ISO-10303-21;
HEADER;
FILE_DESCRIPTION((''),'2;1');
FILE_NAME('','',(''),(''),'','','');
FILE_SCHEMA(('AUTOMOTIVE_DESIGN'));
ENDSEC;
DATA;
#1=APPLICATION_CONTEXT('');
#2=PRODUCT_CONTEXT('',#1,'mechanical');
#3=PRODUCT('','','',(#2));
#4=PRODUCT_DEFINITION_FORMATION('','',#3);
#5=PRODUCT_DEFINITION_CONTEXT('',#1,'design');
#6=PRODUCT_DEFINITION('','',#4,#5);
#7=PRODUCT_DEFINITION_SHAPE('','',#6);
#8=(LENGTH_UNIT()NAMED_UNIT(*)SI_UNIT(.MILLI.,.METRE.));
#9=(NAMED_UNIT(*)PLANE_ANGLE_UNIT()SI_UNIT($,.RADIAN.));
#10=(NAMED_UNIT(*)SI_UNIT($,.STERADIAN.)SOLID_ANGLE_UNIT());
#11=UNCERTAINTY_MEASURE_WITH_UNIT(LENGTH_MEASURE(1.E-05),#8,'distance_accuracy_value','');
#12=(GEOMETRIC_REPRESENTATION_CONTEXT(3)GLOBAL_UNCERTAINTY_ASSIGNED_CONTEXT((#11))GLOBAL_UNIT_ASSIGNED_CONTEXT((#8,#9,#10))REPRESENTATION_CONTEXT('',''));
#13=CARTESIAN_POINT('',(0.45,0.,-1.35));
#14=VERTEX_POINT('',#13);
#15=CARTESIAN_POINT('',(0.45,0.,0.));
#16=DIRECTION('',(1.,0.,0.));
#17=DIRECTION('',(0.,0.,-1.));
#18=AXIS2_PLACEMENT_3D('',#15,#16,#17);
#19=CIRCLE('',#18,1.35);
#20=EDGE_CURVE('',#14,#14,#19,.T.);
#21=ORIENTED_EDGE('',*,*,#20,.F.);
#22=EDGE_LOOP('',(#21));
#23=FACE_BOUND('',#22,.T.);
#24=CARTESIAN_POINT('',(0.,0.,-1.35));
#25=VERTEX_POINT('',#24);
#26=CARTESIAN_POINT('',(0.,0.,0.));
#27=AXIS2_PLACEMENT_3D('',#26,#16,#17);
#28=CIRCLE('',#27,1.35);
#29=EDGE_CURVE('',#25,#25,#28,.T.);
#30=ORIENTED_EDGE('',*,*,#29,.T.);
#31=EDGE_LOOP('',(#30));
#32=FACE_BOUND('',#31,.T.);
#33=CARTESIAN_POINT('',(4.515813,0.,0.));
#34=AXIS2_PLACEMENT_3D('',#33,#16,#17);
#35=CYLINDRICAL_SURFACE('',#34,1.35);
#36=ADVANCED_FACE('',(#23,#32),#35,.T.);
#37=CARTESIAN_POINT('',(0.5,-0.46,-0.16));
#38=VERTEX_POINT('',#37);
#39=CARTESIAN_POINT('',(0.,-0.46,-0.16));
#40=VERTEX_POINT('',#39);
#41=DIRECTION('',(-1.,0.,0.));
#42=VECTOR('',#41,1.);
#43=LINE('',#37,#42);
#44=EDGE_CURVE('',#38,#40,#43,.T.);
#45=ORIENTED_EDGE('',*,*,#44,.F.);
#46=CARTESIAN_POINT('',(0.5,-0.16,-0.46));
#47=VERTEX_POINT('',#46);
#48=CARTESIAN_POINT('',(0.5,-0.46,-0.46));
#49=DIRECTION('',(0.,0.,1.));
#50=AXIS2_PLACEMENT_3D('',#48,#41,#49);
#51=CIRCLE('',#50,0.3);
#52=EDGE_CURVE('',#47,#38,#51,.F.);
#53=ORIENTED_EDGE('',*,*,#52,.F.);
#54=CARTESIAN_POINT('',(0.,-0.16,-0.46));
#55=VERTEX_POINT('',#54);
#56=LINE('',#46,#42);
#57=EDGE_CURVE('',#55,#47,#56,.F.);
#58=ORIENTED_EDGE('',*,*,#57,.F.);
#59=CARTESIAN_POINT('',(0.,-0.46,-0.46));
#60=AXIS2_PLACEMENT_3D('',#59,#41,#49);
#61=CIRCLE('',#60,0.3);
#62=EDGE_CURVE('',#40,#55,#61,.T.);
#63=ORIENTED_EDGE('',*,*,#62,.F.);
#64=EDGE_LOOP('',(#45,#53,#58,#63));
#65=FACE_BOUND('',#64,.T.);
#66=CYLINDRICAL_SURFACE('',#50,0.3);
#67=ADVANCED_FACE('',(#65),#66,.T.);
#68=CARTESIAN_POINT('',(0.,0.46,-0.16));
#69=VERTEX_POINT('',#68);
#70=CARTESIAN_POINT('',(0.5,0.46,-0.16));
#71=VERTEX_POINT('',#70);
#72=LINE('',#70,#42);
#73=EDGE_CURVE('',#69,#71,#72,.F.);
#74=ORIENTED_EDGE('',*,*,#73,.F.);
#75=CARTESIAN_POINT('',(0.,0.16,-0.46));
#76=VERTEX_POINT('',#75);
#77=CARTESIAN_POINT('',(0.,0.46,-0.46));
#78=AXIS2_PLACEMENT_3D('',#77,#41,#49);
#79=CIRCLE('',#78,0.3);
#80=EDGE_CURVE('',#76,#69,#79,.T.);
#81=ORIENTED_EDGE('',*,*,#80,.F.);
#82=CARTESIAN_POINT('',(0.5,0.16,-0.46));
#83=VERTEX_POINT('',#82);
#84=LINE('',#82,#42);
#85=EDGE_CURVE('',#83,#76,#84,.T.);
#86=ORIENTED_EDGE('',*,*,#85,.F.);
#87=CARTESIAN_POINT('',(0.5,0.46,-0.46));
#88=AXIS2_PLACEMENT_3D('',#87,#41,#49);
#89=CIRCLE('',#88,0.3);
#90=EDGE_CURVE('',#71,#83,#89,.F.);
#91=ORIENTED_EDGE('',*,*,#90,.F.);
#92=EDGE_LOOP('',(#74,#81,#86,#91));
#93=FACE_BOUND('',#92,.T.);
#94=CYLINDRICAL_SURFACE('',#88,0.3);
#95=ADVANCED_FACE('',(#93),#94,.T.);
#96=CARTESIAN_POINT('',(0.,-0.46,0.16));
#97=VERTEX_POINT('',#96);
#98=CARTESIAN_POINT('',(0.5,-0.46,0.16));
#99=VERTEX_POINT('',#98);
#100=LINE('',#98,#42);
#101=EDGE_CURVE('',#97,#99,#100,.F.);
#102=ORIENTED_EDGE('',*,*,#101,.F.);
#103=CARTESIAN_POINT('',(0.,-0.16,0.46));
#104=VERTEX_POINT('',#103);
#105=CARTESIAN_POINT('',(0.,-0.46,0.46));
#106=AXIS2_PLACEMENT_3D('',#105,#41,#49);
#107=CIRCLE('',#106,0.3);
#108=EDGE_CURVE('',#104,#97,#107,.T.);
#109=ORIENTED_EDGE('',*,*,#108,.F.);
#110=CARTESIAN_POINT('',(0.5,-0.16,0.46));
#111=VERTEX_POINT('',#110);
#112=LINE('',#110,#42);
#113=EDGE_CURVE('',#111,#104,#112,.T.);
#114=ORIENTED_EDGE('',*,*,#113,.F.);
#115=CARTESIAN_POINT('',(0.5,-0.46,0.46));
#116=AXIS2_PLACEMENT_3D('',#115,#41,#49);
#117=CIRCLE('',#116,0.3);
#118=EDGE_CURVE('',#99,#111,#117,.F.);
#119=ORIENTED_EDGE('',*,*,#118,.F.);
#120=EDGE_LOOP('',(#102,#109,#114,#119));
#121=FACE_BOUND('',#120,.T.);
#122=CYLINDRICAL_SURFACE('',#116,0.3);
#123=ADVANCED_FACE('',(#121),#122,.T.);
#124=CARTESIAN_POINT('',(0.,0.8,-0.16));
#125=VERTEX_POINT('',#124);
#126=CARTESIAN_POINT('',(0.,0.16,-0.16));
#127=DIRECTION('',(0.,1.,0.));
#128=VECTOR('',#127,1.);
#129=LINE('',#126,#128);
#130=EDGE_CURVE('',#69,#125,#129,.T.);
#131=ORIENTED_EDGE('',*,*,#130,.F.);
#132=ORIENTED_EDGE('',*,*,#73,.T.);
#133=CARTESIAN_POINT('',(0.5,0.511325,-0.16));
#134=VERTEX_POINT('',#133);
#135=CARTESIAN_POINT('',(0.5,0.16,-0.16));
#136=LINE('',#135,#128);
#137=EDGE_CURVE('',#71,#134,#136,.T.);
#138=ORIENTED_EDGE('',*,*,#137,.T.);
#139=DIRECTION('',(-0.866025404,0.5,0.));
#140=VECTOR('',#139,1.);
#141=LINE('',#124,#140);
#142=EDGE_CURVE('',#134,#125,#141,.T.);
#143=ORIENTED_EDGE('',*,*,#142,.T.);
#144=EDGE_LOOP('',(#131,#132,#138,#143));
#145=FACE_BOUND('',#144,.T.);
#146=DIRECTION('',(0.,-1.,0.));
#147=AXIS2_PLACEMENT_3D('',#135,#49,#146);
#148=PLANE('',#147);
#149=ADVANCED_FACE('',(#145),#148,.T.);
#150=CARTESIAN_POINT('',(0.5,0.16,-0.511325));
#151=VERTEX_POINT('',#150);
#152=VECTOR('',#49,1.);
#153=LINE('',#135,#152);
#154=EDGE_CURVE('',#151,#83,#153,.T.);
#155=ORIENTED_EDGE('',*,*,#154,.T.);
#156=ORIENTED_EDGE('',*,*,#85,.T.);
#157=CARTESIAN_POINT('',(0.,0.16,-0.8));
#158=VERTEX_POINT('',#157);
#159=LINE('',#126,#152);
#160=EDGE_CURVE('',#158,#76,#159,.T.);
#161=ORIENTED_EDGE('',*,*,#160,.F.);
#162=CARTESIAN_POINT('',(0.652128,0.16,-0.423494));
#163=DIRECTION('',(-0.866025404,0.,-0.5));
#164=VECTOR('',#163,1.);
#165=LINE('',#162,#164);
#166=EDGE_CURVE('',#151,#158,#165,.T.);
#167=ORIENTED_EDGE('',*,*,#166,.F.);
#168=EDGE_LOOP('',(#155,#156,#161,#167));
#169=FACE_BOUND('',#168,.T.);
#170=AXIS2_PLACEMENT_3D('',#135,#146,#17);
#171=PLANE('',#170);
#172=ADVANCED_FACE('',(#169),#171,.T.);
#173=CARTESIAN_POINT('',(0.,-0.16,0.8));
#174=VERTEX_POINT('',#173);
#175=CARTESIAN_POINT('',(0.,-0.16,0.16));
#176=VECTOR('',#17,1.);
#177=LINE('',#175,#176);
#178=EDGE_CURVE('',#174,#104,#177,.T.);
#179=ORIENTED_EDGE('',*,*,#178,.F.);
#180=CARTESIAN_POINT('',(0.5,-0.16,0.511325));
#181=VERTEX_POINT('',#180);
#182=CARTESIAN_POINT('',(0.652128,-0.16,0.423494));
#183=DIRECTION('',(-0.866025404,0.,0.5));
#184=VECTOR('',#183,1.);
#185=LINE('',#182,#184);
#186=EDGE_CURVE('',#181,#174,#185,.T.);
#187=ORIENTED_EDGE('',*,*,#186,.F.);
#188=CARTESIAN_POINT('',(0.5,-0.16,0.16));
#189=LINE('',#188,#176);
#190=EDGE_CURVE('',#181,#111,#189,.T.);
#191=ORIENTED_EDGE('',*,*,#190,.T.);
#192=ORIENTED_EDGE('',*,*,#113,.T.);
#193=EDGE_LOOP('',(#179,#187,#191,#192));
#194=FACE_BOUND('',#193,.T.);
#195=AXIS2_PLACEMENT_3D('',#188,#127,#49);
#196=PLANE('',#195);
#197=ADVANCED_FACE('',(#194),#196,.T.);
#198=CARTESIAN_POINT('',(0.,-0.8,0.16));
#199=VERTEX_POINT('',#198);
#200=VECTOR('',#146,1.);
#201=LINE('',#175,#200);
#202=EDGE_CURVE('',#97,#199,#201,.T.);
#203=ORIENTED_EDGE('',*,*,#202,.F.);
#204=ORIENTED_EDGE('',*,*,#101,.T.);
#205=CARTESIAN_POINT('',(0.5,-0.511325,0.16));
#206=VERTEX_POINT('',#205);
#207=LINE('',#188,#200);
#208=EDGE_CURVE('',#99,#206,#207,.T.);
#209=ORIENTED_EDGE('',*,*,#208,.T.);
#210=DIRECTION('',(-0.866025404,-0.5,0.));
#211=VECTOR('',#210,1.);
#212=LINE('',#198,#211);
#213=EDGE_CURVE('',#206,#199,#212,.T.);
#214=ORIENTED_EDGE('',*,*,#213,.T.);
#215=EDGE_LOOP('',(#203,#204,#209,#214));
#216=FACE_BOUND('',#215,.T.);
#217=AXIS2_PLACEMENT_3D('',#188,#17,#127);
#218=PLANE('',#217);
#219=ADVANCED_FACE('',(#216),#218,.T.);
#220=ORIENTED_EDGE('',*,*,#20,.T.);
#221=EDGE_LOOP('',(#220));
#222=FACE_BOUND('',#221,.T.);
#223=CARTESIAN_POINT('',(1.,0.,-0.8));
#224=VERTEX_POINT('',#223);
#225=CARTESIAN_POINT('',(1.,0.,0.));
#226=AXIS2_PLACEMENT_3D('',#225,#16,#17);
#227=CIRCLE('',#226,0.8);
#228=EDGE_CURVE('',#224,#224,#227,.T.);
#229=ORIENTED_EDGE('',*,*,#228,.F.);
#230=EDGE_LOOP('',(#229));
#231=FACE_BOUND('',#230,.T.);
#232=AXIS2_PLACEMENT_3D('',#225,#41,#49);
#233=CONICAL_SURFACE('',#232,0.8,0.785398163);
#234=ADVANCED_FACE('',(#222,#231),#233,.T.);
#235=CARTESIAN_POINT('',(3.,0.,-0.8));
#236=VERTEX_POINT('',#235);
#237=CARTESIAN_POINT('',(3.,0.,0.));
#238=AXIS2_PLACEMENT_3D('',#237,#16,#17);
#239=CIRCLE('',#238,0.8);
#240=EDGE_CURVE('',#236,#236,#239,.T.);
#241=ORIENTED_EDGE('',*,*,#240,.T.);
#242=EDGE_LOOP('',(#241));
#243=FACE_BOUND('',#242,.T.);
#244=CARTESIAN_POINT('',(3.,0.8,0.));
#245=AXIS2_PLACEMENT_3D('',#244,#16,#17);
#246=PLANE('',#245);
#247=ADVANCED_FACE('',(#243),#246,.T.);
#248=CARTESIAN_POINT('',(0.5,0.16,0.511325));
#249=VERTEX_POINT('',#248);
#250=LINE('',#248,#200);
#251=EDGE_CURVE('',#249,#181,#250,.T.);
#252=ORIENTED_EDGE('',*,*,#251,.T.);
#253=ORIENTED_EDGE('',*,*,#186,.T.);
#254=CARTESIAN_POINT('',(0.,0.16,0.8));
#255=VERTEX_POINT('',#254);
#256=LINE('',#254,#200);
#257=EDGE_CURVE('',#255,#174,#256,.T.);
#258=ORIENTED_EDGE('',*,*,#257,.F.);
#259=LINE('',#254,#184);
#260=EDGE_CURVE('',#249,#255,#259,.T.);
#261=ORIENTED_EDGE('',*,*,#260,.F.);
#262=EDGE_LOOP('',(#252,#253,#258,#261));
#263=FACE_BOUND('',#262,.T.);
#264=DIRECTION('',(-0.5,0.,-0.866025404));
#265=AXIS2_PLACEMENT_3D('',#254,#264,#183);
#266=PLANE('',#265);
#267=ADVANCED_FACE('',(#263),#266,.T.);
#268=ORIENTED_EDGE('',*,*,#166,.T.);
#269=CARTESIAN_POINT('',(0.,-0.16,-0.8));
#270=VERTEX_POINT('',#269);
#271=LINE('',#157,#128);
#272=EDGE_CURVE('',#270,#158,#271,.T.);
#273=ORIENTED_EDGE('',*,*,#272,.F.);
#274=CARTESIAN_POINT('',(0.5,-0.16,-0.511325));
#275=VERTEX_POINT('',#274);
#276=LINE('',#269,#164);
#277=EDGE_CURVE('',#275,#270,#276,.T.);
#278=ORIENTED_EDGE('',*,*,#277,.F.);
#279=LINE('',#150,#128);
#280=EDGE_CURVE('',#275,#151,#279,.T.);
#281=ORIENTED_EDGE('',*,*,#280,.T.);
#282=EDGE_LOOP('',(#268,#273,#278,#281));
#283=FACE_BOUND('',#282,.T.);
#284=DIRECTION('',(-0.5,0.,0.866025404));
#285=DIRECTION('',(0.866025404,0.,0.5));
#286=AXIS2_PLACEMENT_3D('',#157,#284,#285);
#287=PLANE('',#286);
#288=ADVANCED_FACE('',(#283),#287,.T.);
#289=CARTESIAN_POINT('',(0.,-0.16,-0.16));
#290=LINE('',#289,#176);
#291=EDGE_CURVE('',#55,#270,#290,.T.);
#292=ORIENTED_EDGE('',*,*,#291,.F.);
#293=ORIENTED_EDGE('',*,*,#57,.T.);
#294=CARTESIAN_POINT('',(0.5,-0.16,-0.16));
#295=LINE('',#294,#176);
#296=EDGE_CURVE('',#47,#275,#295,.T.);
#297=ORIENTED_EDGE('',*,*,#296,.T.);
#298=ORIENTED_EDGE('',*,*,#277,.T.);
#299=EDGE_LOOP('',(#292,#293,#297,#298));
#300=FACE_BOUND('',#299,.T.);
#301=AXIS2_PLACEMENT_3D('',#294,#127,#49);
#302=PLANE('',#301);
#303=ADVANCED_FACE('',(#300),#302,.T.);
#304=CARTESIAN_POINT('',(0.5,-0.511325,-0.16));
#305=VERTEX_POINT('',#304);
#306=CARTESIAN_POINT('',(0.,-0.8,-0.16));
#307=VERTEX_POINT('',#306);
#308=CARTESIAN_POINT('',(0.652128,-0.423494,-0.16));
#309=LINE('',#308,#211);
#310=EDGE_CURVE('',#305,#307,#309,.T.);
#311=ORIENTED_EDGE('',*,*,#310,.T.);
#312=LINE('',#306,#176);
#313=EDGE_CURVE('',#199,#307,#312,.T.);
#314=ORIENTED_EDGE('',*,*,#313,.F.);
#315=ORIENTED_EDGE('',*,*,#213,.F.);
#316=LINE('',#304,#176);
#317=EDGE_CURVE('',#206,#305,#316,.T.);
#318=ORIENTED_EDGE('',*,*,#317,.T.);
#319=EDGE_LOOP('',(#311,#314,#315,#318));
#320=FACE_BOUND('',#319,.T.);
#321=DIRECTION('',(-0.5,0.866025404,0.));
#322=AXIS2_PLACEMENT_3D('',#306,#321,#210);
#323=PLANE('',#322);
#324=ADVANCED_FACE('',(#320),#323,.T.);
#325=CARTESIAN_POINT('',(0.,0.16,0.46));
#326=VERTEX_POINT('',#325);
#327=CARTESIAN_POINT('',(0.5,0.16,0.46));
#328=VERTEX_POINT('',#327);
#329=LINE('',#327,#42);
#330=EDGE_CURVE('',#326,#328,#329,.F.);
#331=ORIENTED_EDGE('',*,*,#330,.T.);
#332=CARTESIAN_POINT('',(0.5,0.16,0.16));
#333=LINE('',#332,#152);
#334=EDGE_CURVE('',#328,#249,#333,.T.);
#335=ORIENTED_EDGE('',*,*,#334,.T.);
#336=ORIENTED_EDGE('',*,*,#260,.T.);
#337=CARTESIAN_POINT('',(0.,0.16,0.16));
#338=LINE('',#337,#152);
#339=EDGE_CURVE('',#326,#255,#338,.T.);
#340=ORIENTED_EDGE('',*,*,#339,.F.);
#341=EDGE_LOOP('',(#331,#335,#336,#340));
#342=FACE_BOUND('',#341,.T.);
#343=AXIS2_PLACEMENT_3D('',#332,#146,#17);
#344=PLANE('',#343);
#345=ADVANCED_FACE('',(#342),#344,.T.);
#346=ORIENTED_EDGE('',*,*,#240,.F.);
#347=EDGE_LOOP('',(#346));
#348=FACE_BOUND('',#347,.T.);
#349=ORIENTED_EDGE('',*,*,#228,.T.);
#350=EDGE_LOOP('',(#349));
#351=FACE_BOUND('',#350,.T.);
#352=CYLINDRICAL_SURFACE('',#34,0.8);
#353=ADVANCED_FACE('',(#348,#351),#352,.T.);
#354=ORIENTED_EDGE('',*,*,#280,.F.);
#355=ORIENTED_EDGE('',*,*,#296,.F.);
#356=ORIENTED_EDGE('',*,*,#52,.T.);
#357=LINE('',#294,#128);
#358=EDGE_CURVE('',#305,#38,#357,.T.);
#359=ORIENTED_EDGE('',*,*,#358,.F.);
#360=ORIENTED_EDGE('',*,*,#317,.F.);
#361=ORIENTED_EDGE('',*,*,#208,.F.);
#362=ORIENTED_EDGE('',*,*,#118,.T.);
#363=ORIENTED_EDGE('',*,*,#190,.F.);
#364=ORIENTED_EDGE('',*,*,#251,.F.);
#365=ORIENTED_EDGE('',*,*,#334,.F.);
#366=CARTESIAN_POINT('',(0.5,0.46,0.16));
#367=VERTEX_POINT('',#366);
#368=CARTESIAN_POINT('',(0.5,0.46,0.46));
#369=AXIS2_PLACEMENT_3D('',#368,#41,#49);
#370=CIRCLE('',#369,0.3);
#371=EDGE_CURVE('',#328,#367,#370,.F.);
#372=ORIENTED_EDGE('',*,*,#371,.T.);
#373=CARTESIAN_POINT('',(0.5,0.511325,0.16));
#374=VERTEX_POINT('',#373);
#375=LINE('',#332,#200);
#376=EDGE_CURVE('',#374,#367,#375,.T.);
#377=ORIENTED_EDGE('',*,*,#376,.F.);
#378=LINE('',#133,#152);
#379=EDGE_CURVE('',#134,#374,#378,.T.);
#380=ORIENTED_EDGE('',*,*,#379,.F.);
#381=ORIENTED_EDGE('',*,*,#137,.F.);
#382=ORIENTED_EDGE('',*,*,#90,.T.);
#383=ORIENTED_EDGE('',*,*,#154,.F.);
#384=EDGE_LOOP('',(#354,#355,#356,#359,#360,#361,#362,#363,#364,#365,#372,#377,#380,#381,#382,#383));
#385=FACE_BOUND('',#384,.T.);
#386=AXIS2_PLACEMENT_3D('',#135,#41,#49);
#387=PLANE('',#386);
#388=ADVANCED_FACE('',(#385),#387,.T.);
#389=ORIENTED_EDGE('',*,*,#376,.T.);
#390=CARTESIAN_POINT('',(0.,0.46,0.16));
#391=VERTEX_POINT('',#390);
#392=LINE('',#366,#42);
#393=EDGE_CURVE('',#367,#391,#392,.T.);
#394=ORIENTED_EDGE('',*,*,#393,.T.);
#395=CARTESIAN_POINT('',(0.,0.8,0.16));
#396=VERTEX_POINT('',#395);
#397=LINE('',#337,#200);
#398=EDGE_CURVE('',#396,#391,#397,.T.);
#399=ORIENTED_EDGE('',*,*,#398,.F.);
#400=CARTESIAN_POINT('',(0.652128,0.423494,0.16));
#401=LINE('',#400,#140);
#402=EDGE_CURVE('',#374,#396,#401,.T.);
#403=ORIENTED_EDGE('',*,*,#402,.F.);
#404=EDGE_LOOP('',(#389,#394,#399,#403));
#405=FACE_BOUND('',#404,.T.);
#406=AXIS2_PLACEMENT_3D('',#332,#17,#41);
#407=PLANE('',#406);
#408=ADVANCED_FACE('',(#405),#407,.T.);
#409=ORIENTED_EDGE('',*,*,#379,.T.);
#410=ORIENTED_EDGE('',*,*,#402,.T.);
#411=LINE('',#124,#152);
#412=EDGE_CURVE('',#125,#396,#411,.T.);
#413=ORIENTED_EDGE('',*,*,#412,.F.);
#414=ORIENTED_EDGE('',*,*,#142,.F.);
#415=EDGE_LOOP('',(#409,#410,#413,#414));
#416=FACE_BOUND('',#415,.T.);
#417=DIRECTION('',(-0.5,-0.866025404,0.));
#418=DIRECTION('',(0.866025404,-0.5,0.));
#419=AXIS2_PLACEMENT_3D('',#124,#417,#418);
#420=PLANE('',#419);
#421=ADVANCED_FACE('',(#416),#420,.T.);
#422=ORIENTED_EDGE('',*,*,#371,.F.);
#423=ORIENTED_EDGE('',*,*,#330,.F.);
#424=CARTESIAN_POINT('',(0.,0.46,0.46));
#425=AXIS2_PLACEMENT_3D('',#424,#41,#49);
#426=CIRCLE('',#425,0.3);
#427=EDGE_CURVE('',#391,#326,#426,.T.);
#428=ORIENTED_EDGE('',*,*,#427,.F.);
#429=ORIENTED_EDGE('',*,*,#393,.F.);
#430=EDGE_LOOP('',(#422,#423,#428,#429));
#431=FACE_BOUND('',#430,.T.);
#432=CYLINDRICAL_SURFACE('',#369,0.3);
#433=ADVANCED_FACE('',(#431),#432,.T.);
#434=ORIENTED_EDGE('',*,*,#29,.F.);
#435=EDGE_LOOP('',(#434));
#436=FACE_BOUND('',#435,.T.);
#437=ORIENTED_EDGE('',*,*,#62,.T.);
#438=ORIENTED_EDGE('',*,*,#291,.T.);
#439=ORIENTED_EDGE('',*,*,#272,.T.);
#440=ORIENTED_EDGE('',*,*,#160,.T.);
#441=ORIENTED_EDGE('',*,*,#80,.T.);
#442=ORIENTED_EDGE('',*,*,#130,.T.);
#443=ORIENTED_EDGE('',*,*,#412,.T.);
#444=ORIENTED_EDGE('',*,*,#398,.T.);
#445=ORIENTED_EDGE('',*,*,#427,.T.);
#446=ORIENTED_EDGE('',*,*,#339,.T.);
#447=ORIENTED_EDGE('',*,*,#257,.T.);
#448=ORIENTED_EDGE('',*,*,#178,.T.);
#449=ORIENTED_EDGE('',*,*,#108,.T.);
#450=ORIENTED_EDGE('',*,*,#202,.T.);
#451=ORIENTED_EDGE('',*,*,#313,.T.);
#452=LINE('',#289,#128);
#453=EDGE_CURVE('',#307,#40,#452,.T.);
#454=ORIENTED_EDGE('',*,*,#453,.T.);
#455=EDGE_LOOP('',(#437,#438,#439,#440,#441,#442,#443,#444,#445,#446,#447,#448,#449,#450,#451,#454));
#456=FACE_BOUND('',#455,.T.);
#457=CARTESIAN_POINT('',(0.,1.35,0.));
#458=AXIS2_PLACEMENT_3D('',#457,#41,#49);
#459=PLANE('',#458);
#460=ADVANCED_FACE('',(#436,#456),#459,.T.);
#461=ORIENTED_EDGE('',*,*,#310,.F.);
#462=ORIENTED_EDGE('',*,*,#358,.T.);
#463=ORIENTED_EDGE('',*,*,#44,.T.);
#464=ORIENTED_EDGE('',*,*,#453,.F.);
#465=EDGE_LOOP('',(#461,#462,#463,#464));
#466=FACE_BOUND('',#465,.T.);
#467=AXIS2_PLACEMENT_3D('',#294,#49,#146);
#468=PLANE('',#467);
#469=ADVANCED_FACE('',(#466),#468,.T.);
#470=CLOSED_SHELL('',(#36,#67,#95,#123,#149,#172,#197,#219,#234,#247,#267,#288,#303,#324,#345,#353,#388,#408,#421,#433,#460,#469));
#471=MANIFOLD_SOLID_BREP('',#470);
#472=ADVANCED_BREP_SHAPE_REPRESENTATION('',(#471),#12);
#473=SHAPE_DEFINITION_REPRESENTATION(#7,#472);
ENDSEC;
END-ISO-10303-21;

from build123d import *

# Parameters (mm, degrees)
CROSSRECESS_DEPTH = 0.5
DRAFT9_ANGLE      = 30
FILLET5_R         = 0.3


with BuildPart() as part:
    # Sketch1 → Base (revolve)
    with BuildSketch(Plane.XY):
        Polygon((3, 0.8), (1.7, 0.8), (1, 0.8), (0.45, 1.35), (0, 1.35), (0, 0), (3, 0), align=None)
    revolve(axis=Axis((4.515812911, 0, 0), (-1, 0, 0)))

    # Sketch6 → CrossRecess (cut)
    with BuildSketch(Plane(origin=(0, 0, 0), x_dir=(0, 0, -1), z_dir=(1, 0, 0))):
        Polygon((0.16, 0.16), (0.16, 0.8), (-0.16, 0.8), (-0.16, 0.16), (-0.8, 0.16), (-0.8, -0.16), (-0.16, -0.16), (-0.16, -0.8), (0.16, -0.8), (0.16, -0.16), (0.8, -0.16), (0.8, 0.16), align=None)
    extrude(amount=CROSSRECESS_DEPTH, mode=Mode.SUBTRACT)

    # Draft9
    draft9_faces = [part.faces().sort_by_distance(p)[0] for p in [
        (0.25, 0.8, 0),
        (0.25, 0, 0.8),
        (0.25, -0.8, 0),
        (0.25, 0, -0.8),
    ]]
    draft(draft9_faces, Plane(origin=(0, 1.35, 0), x_dir=(0, 0, -1), z_dir=(-1, 0, 0)), DRAFT9_ANGLE)

    # Fillet5
    fillet5_edges = [part.edges().sort_by_distance(p)[0] for p in [
        (0.25, 0.16, 0.16),
        (0.25, -0.16, 0.16),
        (0.25, -0.16, -0.16),
        (0.25, 0.16, -0.16),
    ]]
    fillet(fillet5_edges, radius=FILLET5_R)


solid = part.part
